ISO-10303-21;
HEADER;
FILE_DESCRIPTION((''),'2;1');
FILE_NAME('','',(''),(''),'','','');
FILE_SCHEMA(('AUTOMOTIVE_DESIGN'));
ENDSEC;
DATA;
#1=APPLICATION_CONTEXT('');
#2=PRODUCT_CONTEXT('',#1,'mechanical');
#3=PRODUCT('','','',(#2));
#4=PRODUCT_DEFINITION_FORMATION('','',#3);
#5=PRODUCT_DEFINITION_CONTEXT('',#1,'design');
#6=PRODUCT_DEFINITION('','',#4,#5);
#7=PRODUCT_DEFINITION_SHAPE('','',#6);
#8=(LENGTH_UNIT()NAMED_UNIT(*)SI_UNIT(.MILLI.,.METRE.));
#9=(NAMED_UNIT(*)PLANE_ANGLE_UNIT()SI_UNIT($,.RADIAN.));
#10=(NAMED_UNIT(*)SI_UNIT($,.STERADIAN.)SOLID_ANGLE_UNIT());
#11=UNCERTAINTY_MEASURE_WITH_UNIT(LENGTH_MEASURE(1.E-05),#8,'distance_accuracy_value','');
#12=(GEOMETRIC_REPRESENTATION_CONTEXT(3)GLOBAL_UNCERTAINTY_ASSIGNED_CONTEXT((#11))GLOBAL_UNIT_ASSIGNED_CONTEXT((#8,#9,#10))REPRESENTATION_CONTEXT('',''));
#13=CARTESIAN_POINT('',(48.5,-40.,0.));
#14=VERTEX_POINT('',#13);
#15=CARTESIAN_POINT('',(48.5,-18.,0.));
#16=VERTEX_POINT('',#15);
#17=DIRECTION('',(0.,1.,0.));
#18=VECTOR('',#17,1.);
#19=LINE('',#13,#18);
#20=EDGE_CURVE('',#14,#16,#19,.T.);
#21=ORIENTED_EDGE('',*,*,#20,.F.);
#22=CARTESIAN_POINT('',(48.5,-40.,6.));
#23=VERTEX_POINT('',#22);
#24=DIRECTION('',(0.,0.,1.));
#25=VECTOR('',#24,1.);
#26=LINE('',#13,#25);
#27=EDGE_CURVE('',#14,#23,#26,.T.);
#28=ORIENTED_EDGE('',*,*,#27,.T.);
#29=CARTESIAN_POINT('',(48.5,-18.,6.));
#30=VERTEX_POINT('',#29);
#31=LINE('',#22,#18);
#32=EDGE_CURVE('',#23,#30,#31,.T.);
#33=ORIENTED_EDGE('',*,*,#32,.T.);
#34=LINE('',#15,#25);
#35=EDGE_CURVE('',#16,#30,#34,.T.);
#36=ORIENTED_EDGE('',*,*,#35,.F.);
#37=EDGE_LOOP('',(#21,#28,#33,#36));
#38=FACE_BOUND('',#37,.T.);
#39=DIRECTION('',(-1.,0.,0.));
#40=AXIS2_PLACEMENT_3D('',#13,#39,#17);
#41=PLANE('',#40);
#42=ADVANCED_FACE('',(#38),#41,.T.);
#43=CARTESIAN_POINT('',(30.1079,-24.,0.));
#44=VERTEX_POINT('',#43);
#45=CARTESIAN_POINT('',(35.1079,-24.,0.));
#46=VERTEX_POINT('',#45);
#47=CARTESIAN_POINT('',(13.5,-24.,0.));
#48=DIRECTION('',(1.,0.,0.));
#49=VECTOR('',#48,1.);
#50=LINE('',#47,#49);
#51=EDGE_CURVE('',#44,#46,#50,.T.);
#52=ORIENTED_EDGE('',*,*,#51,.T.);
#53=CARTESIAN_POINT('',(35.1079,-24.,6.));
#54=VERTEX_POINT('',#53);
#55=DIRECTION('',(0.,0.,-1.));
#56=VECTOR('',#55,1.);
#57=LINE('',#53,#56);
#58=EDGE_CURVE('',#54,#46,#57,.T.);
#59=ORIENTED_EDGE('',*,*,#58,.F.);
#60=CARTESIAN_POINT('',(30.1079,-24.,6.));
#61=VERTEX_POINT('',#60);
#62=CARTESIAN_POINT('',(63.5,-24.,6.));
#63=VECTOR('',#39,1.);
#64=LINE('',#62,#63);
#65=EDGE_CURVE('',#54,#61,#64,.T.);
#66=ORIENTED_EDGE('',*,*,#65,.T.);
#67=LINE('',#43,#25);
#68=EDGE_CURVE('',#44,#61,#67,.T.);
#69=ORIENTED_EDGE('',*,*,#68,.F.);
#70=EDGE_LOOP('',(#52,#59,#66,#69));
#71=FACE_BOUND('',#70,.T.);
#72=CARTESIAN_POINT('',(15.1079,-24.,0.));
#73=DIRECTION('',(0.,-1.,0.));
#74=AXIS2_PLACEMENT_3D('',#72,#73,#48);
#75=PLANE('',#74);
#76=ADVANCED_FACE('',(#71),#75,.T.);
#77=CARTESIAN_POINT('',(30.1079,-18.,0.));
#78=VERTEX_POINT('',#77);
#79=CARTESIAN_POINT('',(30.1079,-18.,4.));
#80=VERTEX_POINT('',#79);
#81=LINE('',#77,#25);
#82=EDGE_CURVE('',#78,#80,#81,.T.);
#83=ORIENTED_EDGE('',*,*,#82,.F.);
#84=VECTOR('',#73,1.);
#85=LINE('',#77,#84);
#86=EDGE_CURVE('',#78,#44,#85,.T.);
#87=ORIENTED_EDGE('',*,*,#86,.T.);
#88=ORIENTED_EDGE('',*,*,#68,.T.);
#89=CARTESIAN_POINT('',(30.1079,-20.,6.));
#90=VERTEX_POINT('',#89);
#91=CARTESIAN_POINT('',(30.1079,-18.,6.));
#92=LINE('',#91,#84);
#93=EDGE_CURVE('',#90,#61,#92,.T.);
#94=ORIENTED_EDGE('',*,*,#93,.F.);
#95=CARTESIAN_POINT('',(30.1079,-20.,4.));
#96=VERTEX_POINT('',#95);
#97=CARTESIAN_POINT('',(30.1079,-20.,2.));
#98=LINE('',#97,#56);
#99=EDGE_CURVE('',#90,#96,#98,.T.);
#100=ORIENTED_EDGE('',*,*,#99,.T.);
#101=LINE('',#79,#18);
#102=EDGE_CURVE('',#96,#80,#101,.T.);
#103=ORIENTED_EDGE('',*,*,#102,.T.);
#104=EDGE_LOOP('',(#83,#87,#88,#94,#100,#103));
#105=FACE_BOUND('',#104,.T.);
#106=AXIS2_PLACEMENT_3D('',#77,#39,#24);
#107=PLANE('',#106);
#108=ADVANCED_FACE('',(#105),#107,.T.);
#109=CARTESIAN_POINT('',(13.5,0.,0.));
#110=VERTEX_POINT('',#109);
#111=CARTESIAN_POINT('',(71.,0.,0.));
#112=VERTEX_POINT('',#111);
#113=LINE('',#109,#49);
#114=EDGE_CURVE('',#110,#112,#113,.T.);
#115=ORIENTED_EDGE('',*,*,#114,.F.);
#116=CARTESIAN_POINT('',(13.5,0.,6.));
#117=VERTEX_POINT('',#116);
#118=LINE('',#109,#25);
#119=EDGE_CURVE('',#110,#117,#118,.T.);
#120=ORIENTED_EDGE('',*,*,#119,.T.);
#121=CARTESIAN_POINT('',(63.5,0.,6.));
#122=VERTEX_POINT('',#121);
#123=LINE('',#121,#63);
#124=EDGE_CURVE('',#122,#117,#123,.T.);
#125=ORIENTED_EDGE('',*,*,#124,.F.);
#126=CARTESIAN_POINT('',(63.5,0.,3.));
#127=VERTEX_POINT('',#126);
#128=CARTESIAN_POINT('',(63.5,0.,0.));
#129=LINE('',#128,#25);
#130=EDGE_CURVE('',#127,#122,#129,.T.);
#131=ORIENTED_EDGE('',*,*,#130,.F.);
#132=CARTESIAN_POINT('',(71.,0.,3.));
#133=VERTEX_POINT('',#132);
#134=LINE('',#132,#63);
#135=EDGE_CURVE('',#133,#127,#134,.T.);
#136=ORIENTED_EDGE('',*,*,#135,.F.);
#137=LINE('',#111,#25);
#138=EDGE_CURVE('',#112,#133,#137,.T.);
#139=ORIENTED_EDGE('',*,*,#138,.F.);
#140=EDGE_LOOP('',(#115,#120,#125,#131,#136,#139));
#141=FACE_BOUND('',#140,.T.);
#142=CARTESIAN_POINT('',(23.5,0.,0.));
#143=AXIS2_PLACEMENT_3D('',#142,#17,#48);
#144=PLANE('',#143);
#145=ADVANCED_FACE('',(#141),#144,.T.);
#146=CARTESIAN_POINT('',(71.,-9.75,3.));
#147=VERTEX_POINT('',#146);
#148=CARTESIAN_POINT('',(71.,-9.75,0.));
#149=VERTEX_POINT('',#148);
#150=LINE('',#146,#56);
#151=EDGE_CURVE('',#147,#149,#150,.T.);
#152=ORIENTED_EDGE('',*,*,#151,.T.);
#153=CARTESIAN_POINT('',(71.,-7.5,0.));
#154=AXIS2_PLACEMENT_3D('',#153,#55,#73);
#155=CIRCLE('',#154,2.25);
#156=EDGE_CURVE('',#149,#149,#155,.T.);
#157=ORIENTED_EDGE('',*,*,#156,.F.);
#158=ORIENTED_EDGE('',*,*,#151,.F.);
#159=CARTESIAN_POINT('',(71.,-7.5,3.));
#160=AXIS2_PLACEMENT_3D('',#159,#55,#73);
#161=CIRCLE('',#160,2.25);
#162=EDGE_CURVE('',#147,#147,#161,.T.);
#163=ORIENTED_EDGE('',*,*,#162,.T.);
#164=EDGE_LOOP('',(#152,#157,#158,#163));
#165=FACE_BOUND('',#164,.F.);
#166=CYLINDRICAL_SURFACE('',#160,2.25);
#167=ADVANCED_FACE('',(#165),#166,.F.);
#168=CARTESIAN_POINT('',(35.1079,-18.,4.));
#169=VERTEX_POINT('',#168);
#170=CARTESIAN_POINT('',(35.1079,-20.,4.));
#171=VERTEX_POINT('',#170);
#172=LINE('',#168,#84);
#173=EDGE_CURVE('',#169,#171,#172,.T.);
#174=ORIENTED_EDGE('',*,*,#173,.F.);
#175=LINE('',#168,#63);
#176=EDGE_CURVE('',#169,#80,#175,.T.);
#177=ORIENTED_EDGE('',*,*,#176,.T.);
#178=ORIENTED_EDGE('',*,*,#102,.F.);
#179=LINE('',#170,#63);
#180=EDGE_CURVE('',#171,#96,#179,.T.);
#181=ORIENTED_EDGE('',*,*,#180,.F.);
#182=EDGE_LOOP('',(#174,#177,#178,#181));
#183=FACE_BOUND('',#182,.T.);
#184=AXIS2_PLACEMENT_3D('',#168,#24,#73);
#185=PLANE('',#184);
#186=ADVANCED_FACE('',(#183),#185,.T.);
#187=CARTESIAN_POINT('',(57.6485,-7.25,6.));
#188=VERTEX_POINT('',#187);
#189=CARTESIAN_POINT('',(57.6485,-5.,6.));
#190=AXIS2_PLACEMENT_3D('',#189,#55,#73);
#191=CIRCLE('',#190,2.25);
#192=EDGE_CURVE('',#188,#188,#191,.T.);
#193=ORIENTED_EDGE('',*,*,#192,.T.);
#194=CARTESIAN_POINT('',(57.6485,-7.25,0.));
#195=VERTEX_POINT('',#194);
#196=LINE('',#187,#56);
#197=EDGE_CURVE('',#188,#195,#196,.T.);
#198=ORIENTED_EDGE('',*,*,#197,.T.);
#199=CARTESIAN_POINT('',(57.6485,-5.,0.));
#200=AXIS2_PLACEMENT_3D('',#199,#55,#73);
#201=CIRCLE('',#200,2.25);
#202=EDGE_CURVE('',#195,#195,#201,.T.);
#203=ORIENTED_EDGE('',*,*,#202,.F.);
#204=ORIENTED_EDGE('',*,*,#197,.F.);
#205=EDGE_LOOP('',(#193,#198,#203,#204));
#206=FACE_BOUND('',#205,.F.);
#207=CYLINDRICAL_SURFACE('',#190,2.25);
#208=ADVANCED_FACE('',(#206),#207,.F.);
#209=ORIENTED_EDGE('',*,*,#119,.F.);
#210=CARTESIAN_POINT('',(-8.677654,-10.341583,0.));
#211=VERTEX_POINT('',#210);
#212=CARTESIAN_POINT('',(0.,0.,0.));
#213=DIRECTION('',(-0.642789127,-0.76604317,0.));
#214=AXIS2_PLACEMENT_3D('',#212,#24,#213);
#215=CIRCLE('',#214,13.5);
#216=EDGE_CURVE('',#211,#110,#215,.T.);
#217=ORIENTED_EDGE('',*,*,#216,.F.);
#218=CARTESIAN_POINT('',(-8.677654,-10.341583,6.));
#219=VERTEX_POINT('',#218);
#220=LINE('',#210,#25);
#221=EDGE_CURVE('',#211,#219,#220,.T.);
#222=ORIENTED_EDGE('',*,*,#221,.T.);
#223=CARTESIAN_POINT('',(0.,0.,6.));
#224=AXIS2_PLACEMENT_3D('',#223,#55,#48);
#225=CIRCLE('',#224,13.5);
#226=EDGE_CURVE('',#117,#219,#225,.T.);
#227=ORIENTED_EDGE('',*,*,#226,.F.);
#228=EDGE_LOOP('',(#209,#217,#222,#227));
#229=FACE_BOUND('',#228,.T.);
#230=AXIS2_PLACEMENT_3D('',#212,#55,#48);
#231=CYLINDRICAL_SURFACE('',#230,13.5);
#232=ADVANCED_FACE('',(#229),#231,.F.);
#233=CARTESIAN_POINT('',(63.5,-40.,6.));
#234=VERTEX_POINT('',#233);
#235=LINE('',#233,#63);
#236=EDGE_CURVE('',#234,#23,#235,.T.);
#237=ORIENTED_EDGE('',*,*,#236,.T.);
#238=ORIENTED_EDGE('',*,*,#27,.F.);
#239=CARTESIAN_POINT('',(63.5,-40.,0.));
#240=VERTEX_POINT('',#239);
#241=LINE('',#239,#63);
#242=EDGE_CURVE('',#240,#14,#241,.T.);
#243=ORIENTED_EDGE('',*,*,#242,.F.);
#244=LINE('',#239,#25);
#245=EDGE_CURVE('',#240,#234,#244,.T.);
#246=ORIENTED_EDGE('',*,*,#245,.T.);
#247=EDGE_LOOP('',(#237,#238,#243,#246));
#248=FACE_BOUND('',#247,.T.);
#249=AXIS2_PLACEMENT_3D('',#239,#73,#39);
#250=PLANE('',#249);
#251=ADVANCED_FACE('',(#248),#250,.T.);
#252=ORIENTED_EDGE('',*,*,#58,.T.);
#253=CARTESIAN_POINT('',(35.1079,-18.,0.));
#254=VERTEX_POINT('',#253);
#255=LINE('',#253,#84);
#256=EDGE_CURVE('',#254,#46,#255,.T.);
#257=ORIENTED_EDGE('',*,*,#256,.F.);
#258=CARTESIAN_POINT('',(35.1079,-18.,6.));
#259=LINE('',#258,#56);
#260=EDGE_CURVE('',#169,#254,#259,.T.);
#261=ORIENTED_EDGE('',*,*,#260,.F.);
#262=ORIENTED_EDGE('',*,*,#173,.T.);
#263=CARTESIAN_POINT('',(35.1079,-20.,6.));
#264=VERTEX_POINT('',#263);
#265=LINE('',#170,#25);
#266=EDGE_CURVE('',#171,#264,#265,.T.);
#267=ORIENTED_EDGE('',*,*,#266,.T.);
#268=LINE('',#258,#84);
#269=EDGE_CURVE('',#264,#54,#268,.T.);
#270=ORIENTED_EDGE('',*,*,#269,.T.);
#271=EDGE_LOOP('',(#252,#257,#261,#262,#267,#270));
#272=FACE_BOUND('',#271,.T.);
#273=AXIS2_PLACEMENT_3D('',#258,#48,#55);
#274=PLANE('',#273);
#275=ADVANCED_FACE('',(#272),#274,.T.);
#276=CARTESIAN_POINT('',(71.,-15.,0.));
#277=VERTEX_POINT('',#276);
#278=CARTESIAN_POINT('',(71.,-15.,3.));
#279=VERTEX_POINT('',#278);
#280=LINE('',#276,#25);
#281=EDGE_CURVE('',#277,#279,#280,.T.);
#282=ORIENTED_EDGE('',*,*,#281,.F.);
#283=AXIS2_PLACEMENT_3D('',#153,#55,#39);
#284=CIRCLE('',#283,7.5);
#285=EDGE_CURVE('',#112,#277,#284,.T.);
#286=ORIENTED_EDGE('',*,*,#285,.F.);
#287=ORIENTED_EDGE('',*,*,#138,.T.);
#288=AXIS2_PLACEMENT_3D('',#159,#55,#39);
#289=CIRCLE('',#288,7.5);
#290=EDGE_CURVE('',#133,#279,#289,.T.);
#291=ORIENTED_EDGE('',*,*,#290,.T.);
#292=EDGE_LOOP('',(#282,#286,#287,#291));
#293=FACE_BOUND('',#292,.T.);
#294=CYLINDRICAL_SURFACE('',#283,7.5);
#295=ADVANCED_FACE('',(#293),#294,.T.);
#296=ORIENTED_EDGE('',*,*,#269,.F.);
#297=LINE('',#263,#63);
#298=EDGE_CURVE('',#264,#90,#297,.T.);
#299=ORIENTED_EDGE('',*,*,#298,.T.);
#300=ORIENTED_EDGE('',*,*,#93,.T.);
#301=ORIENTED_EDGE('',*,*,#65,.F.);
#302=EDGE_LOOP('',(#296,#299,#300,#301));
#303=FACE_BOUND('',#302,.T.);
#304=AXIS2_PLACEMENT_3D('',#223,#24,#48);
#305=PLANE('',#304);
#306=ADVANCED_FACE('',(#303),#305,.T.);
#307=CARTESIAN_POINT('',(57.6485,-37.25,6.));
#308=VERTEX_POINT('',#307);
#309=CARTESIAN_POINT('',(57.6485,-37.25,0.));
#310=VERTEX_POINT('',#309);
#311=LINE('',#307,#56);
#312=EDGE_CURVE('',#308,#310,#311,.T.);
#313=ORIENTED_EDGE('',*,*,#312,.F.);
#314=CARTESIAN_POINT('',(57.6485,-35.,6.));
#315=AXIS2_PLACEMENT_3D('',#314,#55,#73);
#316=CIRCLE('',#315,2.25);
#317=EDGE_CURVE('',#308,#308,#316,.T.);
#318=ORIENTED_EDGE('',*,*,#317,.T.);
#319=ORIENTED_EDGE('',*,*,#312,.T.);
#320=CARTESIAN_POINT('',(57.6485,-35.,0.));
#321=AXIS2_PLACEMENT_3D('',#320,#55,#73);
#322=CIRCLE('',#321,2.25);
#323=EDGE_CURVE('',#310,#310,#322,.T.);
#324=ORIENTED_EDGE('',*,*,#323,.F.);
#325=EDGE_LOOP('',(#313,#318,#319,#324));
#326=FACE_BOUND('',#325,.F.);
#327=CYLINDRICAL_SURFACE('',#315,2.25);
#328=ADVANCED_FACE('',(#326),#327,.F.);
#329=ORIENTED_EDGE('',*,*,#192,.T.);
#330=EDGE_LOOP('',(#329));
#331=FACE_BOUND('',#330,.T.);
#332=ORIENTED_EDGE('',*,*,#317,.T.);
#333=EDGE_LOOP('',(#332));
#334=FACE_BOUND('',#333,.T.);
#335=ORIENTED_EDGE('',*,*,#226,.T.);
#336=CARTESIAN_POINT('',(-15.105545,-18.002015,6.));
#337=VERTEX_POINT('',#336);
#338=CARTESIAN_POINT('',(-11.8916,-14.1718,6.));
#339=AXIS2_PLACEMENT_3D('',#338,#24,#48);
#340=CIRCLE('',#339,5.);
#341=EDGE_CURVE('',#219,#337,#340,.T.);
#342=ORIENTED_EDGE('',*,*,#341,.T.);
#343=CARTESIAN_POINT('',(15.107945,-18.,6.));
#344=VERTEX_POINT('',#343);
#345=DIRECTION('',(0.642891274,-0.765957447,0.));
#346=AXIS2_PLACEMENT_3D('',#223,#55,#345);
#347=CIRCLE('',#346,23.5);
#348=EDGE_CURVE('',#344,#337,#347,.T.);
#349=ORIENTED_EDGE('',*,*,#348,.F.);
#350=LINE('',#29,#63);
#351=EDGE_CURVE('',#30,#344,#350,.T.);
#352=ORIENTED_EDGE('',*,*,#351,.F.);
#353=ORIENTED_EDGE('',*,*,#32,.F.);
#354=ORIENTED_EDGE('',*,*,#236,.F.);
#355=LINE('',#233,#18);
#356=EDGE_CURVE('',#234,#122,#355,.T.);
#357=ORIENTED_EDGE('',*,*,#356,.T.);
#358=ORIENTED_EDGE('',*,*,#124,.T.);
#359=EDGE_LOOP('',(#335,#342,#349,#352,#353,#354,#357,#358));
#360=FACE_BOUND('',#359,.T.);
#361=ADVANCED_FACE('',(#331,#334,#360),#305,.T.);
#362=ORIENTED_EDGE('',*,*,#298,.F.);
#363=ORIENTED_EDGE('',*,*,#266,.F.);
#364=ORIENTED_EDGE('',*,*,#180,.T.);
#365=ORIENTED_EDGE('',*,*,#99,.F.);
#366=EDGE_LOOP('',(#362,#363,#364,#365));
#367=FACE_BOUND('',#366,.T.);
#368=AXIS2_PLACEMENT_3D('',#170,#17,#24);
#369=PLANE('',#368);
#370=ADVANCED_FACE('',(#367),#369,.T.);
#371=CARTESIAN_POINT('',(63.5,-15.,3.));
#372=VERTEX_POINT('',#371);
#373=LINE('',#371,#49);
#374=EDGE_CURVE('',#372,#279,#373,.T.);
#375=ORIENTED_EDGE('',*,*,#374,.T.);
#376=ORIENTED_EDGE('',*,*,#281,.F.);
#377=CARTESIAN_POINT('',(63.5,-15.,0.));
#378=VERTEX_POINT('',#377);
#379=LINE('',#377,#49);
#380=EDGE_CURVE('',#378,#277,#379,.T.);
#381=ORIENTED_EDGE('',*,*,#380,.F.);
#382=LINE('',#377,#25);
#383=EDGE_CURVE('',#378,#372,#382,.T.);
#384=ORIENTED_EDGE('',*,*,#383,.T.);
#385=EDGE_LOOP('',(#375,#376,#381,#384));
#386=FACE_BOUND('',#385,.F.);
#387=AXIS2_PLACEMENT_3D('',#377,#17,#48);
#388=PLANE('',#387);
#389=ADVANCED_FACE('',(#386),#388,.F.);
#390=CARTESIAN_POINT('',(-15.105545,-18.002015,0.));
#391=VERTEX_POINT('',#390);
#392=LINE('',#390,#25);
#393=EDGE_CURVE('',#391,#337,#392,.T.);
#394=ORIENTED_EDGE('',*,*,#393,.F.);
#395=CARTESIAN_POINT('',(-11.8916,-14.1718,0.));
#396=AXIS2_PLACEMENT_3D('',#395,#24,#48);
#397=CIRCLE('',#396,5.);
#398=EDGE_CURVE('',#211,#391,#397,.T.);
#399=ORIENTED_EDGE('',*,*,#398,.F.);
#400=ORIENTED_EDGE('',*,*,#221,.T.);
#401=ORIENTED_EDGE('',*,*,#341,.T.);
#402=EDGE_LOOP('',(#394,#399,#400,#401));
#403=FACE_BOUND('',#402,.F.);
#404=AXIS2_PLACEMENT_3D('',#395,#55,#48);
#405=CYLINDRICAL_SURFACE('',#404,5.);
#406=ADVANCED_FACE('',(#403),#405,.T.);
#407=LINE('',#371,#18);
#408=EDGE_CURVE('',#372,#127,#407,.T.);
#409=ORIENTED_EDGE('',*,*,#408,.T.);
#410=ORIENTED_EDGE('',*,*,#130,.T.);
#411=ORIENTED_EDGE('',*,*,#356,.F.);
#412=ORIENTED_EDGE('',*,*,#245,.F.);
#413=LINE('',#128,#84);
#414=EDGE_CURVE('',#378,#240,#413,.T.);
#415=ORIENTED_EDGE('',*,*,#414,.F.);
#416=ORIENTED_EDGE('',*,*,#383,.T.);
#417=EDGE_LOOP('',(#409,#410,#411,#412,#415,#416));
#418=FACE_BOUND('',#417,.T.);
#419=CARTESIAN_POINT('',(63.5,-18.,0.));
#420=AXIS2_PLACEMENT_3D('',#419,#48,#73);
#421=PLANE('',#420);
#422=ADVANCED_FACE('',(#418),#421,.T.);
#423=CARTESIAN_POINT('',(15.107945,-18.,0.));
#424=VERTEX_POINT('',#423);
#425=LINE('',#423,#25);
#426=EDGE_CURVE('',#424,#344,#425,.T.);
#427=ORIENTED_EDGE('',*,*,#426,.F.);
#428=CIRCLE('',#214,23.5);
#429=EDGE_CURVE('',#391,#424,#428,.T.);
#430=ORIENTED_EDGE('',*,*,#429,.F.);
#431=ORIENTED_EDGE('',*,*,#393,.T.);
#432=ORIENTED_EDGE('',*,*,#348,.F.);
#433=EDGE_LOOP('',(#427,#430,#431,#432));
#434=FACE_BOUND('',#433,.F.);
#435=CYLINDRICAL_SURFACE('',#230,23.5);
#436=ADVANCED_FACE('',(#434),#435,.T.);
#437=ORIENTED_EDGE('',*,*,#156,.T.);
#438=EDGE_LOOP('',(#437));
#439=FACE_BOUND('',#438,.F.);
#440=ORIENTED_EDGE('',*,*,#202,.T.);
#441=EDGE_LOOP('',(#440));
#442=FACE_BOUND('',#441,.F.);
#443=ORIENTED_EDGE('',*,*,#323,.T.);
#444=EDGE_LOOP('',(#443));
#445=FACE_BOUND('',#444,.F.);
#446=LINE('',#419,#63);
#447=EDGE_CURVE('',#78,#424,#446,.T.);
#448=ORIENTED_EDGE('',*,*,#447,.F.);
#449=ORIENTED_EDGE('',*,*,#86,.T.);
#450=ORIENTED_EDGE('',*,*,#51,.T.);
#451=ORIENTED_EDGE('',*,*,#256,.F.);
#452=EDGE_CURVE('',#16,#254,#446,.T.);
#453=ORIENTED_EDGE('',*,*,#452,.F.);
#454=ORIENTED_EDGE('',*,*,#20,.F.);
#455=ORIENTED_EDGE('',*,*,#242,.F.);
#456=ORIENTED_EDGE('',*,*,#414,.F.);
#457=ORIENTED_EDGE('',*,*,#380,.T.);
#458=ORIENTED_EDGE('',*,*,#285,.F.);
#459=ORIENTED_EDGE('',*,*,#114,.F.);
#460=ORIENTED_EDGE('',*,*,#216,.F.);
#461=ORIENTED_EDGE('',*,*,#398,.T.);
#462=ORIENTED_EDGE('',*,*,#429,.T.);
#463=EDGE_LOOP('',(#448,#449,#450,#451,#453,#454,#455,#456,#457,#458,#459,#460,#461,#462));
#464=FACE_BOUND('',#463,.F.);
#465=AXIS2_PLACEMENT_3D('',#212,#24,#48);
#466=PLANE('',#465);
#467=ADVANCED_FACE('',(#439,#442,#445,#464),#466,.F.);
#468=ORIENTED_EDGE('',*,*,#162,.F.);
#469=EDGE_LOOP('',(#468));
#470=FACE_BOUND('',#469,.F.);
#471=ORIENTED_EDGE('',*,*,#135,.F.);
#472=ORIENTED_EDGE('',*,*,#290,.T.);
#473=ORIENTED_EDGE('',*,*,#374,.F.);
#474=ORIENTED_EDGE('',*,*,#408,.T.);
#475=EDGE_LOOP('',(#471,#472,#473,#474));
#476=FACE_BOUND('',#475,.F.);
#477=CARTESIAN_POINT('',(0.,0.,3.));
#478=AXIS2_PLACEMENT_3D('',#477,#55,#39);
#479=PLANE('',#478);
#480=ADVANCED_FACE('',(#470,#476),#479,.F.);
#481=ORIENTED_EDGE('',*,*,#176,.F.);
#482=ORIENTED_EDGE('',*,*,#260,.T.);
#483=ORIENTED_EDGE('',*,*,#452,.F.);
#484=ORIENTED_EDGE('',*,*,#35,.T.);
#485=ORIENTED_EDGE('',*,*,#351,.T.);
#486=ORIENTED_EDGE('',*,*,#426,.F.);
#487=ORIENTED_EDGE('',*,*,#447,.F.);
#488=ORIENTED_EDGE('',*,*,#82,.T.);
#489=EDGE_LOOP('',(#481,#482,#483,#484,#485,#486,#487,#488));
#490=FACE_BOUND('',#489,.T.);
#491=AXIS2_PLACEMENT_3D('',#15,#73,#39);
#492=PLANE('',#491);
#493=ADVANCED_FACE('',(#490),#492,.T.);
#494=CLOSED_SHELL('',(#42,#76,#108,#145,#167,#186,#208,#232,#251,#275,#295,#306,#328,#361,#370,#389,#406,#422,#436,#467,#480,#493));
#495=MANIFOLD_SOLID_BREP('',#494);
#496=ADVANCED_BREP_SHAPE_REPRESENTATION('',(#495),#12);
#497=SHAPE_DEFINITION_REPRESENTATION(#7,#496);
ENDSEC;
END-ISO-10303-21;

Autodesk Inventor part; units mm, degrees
ref_plane "YZ Plane" through (0, 0, 0) normal (1, 0, 0) x (0, 1, 0)
ref_plane "XZ Plane" through (0, 0, 0) normal (0, 1, 0) x (-1, 0, 0)
ref_plane "XY Plane" through (0, 0, 0) normal (0, 0, 1) x (1, 0, 0)
sketch "スケッチ6" plane through (0, 0, 0) normal (0, 0, 1) x (1, 0, 0)
  circle A0 centre (0, 0) radius 13.5
  circle A1 centre (0, 0) radius 23.5
  circle A2 centre (-11.8916, -14.1718) radius 5
  line L0 (0, 0) -> (-11.8916, -14.1718)
  line L1 (0, 0) -> (0, -23.5)
  line L2 (13.5, 0) -> (63.5, 0)
  line L3 (63.5, 0) -> (63.5, -18)
  line L4 (63.5, -18) -> (13.5, -18)
  line L5 (13.5, -18) -> (13.5, 0)
  line L6 (48.5, 0) -> (63.5, 0)
  line L7 (63.5, 0) -> (63.5, -40)
  line L8 (63.5, -40) -> (48.5, -40)
  line L9 (48.5, -40) -> (48.5, 0)
  point P0 (-15.1055, -18.002)
  point P1 (48.5, -18)
  point P2 (-8.6776, -10.3416)
  point P3 (23.5, 0)
  point P4 (13.3373, -19.3486)
  point P5 (13.4479, -1.1846)
  point P6 (23.5, 0)
  point P7 (15.1079, -18)
  dimension "d31" = 27
  dimension "d32" = 47
  dimension "d33" = 10
  dimension "d34" = 40
  dimension "d35" = 50
  dimension "d36" = 18
  dimension "d37" = 15
  dimension "d38" = 0
  dimension "d63" = 40
extrude "押し出し4" add sketch "スケッチ6" along normal blind 6 contours L5 L4 A1 L1 A0 | L2 A1 L4 L5 | A0 L1 A1 A2 | A2 | L2 L9 L4 A1 | L2 L3 L4 L9 | L4 L7 L8 L9
sketch "スケッチ9" plane through (0, 0, 6) normal (0, 0, 1) x (1, 0, 0)
  line L0 (48.5, -40) -> (63.5, -40) projected
  line L1 (63.5, 0) -> (13.5, 0) projected
  point P0 (0, 0)
  point P1 (57.6485, -5)
  point P2 (57.6485, -35)
  dimension "d54" = 5
  dimension "d64" = 5
hole "穴4" at (57.6485, -5, 6) at (57.6485, -35, 6) direction (0, 0, -1) diameter 4.5 end through all
sketch "スケッチ10" plane through (0, 0, 0) normal (0, 0, -1) x (-1, 0, 0)
  circle A0 centre (-71, -7.5) radius 7.5
  line L0 (-63.5, -40) -> (-63.5, 0) projected
  line L1 (-63.5, 0) -> (-13.5, 0) projected
  line L2 (-63.5, -40) -> (-63.5, 0) projected
  line L3 (-71, 0) -> (-63.5, 0)
  line L4 (-63.5, 0) -> (-63.5, -15)
  line L5 (-63.5, -15) -> (-71, -15)
  line L6 (-71, -15) -> (-71, 0)
  point P0 (0, 0)
  dimension "d65" = 15
extrude "押し出し6" add sketch "スケッチ10" against normal blind 3
sketch "スケッチ11" plane through (0, 0, 3) normal (0, 0, 1) x (1, 0, 0)
  arc A0 (71, -15) -> (71, 0) centre (71, -7.5) ccw projected
  point P0 (0, 0)
hole "穴5" at (71, -7.5, 3) direction (0, 0, -1) diameter 4.5 end through all
sketch "スケッチ12" plane through (15.1079, -18, 0) normal (0, -1, 0) x (1, 0, 0)
  line L0 (-1.6079, 0) -> (55.8921, 0) projected
  line L1 (48.3921, 6) -> (-1.6079, 6) projected
  line L2 (20, 0) -> (15, 0)
  line L3 (15, 0) -> (15, 6)
  line L4 (15, 6) -> (20, 6)
  line L5 (20, 6) -> (20, 0)
  line L6 (0, 0) -> (0, 6) projected
  point P0 (-15.1079, 0)
  point P1 (15, 0)
  dimension "d75" = 5
  dimension "d82" = 15
extrude "押し出し7" add sketch "スケッチ12" along normal blind 6 contours L3 L1 L5 L0
sketch "スケッチ13" plane through (35.1079, -18, 6) normal (1, 0, 0) x (0, 0, -1)
  line L0 (6, 0) -> (0, 0) projected
  line L1 (0, 0) -> (2, 0)
  line L2 (2, 0) -> (2, -2)
  line L3 (2, -2) -> (0, -2)
  line L4 (0, -2) -> (0, 0)
  point P0 (6, 18)
  dimension "d78" = 2
  dimension "d79" = 2
extrude "押し出し8" cut sketch "スケッチ13" against normal blind 6
properties part number "エアタンクペットボトル取付具"
